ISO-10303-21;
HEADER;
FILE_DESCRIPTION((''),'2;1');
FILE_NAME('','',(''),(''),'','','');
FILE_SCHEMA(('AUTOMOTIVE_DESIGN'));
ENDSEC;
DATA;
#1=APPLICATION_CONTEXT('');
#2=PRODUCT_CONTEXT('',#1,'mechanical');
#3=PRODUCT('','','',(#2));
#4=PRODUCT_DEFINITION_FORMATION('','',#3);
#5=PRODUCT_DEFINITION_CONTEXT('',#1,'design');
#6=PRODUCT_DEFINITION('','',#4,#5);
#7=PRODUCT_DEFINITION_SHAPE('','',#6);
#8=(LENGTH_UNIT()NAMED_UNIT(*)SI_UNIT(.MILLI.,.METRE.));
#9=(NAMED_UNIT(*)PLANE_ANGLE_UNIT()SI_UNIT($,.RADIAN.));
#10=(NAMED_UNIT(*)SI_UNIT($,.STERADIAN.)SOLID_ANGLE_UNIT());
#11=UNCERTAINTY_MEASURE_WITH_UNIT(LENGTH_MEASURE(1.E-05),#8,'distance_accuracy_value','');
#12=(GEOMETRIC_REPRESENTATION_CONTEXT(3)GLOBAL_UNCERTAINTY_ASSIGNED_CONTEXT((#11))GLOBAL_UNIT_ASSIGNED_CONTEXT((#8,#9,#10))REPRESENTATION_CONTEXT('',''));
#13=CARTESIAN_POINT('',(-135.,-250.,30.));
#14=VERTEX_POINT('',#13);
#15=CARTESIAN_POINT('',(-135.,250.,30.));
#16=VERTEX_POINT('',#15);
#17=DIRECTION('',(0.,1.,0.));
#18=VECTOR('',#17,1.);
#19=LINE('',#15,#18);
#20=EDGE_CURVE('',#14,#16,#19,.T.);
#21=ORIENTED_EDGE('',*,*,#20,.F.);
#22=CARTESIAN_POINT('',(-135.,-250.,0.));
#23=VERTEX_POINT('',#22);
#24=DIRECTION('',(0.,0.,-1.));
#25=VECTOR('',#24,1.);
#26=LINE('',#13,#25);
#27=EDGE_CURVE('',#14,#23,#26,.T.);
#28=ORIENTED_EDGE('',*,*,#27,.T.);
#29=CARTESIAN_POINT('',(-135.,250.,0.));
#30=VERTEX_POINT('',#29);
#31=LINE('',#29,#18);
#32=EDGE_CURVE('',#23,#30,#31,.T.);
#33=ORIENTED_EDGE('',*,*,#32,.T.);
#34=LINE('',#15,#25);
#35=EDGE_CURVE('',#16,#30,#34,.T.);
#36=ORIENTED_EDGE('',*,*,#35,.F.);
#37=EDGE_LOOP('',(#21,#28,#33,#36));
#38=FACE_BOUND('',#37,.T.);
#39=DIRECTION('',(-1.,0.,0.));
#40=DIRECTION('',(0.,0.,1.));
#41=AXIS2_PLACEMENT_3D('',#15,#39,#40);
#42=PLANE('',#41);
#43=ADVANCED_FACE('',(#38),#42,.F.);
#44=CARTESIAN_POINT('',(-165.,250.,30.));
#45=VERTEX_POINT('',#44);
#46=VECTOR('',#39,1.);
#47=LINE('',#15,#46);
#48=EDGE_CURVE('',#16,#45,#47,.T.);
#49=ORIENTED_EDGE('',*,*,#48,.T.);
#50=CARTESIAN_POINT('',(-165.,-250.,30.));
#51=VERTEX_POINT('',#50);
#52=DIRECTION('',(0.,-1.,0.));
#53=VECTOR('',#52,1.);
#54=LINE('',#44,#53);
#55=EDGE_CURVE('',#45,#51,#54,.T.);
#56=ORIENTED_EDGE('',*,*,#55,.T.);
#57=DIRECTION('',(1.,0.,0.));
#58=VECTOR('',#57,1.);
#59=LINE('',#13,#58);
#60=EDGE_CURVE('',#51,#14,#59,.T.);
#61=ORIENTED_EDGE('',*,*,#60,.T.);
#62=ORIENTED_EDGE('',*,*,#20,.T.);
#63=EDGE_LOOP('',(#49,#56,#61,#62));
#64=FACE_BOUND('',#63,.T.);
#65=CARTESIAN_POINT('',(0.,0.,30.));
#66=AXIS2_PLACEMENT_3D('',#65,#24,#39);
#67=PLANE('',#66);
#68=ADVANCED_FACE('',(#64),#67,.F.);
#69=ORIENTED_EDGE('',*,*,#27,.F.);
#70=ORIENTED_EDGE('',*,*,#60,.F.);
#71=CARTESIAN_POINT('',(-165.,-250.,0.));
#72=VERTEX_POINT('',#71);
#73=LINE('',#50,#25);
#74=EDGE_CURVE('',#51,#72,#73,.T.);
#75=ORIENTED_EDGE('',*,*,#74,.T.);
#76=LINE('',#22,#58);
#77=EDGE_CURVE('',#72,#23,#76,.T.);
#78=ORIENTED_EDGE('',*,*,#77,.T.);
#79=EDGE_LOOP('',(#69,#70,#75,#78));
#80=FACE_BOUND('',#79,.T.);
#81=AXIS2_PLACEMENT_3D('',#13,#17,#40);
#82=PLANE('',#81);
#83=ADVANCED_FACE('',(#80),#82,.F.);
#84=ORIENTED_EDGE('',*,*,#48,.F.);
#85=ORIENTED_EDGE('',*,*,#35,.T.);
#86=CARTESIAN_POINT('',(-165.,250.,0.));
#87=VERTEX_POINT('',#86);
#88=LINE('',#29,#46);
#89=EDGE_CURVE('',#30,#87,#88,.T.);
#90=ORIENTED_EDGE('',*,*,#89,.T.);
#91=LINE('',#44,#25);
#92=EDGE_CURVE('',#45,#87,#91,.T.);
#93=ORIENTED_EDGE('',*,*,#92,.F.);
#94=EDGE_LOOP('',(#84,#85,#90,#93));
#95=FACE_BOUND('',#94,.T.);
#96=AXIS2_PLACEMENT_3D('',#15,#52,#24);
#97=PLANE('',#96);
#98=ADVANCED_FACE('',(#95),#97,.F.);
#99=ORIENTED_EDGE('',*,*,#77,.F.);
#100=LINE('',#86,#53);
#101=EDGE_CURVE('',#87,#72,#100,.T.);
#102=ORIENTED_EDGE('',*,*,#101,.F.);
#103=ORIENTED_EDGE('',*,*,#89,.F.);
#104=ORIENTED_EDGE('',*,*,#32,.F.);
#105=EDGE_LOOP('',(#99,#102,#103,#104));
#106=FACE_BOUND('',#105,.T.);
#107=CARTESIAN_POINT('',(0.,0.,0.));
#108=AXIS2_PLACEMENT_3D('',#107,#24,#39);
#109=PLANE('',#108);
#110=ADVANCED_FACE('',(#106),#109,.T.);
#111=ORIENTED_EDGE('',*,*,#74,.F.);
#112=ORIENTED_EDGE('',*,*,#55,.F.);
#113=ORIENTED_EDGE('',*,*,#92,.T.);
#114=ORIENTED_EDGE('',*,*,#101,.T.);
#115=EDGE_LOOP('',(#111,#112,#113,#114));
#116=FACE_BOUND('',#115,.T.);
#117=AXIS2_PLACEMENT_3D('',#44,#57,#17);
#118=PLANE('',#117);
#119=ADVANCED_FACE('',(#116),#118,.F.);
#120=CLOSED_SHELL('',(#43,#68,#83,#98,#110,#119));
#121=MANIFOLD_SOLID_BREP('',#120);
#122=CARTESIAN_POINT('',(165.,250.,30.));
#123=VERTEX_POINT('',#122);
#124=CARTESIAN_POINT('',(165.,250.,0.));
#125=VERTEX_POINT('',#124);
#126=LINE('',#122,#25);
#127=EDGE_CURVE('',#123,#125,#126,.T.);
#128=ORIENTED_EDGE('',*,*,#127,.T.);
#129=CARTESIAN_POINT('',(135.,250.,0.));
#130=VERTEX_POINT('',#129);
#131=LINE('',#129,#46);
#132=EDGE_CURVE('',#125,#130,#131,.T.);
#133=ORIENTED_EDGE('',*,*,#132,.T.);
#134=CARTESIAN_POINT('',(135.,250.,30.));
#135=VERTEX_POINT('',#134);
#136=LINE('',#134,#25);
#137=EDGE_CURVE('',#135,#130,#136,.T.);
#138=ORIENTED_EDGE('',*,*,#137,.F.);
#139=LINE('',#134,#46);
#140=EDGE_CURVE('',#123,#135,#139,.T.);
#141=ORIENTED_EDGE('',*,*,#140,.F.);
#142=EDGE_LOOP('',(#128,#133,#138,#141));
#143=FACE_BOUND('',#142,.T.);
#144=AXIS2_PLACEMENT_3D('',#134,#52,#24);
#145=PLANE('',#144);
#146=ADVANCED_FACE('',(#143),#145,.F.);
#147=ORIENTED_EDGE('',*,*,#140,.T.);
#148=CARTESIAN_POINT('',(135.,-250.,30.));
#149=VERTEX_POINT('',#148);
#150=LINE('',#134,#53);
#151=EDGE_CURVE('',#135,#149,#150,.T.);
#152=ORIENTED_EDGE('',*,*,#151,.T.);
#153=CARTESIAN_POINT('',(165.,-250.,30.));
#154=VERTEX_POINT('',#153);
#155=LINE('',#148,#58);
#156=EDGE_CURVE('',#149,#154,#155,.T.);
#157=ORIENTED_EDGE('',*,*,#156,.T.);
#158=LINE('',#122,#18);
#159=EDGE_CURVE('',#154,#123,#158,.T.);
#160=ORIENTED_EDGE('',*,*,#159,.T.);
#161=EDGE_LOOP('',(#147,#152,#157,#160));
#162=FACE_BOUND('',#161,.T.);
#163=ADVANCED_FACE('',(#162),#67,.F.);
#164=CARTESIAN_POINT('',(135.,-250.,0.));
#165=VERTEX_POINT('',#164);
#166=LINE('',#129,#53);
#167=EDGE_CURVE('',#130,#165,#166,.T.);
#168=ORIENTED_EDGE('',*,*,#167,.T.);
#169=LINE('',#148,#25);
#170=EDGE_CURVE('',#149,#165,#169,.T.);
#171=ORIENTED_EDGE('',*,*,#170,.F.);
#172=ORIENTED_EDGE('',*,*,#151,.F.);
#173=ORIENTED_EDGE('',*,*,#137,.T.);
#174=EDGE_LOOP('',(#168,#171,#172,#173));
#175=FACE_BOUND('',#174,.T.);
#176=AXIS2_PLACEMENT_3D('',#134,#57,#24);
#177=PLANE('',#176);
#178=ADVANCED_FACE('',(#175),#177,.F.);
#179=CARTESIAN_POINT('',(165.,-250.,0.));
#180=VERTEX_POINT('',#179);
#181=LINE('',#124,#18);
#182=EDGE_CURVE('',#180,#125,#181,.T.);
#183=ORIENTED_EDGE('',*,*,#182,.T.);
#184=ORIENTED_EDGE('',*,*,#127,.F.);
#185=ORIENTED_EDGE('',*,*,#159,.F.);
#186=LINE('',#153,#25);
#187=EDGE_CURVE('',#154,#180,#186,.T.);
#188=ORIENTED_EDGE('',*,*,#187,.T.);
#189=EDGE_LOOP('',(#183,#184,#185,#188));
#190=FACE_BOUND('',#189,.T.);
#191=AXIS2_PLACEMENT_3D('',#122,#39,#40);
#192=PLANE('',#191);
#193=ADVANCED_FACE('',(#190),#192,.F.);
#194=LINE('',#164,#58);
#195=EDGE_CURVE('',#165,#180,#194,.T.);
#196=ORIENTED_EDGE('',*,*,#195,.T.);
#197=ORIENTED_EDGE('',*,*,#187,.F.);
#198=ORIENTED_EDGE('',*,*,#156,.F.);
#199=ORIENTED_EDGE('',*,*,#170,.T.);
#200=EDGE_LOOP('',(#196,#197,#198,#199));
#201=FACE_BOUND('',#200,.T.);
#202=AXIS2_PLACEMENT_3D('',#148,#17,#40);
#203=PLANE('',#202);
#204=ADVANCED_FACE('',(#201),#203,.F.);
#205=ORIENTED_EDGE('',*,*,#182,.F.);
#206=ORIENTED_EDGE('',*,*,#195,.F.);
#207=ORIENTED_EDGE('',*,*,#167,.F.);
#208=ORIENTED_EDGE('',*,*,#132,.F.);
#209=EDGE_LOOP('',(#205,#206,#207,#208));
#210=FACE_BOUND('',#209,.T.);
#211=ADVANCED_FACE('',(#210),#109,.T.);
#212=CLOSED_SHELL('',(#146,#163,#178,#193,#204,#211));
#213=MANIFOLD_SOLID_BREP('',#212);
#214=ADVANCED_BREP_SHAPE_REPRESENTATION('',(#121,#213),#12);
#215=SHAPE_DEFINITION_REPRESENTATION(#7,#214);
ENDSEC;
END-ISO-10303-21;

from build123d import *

# Parameters (mm, degrees)
SKIZZE1_W                         = 30
SKIZZE1_H                         = 500
AUFSATZ_LINEAR_AUSTRAGEN1_DEPTH   = 30
AUFSATZ_LINEAR_AUSTRAGEN1_2_DEPTH = 30


with BuildPart() as part:
    # Skizze1 → Aufsatz-Linear austragen1 (new body)
    with BuildSketch(Plane.XY):
        with Locations((-150, 0)):
            Rectangle(SKIZZE1_W, SKIZZE1_H)
    extrude(amount=AUFSATZ_LINEAR_AUSTRAGEN1_DEPTH)


with BuildPart() as body_2:
    # Skizze1 → Aufsatz-Linear austragen1 2 (new body)
    with BuildSketch(Plane.XY):
        with Locations((150, 0)):
            Rectangle(SKIZZE1_W, SKIZZE1_H)
    extrude(amount=AUFSATZ_LINEAR_AUSTRAGEN1_2_DEPTH)


solid = Compound([part.part, body_2.part])
